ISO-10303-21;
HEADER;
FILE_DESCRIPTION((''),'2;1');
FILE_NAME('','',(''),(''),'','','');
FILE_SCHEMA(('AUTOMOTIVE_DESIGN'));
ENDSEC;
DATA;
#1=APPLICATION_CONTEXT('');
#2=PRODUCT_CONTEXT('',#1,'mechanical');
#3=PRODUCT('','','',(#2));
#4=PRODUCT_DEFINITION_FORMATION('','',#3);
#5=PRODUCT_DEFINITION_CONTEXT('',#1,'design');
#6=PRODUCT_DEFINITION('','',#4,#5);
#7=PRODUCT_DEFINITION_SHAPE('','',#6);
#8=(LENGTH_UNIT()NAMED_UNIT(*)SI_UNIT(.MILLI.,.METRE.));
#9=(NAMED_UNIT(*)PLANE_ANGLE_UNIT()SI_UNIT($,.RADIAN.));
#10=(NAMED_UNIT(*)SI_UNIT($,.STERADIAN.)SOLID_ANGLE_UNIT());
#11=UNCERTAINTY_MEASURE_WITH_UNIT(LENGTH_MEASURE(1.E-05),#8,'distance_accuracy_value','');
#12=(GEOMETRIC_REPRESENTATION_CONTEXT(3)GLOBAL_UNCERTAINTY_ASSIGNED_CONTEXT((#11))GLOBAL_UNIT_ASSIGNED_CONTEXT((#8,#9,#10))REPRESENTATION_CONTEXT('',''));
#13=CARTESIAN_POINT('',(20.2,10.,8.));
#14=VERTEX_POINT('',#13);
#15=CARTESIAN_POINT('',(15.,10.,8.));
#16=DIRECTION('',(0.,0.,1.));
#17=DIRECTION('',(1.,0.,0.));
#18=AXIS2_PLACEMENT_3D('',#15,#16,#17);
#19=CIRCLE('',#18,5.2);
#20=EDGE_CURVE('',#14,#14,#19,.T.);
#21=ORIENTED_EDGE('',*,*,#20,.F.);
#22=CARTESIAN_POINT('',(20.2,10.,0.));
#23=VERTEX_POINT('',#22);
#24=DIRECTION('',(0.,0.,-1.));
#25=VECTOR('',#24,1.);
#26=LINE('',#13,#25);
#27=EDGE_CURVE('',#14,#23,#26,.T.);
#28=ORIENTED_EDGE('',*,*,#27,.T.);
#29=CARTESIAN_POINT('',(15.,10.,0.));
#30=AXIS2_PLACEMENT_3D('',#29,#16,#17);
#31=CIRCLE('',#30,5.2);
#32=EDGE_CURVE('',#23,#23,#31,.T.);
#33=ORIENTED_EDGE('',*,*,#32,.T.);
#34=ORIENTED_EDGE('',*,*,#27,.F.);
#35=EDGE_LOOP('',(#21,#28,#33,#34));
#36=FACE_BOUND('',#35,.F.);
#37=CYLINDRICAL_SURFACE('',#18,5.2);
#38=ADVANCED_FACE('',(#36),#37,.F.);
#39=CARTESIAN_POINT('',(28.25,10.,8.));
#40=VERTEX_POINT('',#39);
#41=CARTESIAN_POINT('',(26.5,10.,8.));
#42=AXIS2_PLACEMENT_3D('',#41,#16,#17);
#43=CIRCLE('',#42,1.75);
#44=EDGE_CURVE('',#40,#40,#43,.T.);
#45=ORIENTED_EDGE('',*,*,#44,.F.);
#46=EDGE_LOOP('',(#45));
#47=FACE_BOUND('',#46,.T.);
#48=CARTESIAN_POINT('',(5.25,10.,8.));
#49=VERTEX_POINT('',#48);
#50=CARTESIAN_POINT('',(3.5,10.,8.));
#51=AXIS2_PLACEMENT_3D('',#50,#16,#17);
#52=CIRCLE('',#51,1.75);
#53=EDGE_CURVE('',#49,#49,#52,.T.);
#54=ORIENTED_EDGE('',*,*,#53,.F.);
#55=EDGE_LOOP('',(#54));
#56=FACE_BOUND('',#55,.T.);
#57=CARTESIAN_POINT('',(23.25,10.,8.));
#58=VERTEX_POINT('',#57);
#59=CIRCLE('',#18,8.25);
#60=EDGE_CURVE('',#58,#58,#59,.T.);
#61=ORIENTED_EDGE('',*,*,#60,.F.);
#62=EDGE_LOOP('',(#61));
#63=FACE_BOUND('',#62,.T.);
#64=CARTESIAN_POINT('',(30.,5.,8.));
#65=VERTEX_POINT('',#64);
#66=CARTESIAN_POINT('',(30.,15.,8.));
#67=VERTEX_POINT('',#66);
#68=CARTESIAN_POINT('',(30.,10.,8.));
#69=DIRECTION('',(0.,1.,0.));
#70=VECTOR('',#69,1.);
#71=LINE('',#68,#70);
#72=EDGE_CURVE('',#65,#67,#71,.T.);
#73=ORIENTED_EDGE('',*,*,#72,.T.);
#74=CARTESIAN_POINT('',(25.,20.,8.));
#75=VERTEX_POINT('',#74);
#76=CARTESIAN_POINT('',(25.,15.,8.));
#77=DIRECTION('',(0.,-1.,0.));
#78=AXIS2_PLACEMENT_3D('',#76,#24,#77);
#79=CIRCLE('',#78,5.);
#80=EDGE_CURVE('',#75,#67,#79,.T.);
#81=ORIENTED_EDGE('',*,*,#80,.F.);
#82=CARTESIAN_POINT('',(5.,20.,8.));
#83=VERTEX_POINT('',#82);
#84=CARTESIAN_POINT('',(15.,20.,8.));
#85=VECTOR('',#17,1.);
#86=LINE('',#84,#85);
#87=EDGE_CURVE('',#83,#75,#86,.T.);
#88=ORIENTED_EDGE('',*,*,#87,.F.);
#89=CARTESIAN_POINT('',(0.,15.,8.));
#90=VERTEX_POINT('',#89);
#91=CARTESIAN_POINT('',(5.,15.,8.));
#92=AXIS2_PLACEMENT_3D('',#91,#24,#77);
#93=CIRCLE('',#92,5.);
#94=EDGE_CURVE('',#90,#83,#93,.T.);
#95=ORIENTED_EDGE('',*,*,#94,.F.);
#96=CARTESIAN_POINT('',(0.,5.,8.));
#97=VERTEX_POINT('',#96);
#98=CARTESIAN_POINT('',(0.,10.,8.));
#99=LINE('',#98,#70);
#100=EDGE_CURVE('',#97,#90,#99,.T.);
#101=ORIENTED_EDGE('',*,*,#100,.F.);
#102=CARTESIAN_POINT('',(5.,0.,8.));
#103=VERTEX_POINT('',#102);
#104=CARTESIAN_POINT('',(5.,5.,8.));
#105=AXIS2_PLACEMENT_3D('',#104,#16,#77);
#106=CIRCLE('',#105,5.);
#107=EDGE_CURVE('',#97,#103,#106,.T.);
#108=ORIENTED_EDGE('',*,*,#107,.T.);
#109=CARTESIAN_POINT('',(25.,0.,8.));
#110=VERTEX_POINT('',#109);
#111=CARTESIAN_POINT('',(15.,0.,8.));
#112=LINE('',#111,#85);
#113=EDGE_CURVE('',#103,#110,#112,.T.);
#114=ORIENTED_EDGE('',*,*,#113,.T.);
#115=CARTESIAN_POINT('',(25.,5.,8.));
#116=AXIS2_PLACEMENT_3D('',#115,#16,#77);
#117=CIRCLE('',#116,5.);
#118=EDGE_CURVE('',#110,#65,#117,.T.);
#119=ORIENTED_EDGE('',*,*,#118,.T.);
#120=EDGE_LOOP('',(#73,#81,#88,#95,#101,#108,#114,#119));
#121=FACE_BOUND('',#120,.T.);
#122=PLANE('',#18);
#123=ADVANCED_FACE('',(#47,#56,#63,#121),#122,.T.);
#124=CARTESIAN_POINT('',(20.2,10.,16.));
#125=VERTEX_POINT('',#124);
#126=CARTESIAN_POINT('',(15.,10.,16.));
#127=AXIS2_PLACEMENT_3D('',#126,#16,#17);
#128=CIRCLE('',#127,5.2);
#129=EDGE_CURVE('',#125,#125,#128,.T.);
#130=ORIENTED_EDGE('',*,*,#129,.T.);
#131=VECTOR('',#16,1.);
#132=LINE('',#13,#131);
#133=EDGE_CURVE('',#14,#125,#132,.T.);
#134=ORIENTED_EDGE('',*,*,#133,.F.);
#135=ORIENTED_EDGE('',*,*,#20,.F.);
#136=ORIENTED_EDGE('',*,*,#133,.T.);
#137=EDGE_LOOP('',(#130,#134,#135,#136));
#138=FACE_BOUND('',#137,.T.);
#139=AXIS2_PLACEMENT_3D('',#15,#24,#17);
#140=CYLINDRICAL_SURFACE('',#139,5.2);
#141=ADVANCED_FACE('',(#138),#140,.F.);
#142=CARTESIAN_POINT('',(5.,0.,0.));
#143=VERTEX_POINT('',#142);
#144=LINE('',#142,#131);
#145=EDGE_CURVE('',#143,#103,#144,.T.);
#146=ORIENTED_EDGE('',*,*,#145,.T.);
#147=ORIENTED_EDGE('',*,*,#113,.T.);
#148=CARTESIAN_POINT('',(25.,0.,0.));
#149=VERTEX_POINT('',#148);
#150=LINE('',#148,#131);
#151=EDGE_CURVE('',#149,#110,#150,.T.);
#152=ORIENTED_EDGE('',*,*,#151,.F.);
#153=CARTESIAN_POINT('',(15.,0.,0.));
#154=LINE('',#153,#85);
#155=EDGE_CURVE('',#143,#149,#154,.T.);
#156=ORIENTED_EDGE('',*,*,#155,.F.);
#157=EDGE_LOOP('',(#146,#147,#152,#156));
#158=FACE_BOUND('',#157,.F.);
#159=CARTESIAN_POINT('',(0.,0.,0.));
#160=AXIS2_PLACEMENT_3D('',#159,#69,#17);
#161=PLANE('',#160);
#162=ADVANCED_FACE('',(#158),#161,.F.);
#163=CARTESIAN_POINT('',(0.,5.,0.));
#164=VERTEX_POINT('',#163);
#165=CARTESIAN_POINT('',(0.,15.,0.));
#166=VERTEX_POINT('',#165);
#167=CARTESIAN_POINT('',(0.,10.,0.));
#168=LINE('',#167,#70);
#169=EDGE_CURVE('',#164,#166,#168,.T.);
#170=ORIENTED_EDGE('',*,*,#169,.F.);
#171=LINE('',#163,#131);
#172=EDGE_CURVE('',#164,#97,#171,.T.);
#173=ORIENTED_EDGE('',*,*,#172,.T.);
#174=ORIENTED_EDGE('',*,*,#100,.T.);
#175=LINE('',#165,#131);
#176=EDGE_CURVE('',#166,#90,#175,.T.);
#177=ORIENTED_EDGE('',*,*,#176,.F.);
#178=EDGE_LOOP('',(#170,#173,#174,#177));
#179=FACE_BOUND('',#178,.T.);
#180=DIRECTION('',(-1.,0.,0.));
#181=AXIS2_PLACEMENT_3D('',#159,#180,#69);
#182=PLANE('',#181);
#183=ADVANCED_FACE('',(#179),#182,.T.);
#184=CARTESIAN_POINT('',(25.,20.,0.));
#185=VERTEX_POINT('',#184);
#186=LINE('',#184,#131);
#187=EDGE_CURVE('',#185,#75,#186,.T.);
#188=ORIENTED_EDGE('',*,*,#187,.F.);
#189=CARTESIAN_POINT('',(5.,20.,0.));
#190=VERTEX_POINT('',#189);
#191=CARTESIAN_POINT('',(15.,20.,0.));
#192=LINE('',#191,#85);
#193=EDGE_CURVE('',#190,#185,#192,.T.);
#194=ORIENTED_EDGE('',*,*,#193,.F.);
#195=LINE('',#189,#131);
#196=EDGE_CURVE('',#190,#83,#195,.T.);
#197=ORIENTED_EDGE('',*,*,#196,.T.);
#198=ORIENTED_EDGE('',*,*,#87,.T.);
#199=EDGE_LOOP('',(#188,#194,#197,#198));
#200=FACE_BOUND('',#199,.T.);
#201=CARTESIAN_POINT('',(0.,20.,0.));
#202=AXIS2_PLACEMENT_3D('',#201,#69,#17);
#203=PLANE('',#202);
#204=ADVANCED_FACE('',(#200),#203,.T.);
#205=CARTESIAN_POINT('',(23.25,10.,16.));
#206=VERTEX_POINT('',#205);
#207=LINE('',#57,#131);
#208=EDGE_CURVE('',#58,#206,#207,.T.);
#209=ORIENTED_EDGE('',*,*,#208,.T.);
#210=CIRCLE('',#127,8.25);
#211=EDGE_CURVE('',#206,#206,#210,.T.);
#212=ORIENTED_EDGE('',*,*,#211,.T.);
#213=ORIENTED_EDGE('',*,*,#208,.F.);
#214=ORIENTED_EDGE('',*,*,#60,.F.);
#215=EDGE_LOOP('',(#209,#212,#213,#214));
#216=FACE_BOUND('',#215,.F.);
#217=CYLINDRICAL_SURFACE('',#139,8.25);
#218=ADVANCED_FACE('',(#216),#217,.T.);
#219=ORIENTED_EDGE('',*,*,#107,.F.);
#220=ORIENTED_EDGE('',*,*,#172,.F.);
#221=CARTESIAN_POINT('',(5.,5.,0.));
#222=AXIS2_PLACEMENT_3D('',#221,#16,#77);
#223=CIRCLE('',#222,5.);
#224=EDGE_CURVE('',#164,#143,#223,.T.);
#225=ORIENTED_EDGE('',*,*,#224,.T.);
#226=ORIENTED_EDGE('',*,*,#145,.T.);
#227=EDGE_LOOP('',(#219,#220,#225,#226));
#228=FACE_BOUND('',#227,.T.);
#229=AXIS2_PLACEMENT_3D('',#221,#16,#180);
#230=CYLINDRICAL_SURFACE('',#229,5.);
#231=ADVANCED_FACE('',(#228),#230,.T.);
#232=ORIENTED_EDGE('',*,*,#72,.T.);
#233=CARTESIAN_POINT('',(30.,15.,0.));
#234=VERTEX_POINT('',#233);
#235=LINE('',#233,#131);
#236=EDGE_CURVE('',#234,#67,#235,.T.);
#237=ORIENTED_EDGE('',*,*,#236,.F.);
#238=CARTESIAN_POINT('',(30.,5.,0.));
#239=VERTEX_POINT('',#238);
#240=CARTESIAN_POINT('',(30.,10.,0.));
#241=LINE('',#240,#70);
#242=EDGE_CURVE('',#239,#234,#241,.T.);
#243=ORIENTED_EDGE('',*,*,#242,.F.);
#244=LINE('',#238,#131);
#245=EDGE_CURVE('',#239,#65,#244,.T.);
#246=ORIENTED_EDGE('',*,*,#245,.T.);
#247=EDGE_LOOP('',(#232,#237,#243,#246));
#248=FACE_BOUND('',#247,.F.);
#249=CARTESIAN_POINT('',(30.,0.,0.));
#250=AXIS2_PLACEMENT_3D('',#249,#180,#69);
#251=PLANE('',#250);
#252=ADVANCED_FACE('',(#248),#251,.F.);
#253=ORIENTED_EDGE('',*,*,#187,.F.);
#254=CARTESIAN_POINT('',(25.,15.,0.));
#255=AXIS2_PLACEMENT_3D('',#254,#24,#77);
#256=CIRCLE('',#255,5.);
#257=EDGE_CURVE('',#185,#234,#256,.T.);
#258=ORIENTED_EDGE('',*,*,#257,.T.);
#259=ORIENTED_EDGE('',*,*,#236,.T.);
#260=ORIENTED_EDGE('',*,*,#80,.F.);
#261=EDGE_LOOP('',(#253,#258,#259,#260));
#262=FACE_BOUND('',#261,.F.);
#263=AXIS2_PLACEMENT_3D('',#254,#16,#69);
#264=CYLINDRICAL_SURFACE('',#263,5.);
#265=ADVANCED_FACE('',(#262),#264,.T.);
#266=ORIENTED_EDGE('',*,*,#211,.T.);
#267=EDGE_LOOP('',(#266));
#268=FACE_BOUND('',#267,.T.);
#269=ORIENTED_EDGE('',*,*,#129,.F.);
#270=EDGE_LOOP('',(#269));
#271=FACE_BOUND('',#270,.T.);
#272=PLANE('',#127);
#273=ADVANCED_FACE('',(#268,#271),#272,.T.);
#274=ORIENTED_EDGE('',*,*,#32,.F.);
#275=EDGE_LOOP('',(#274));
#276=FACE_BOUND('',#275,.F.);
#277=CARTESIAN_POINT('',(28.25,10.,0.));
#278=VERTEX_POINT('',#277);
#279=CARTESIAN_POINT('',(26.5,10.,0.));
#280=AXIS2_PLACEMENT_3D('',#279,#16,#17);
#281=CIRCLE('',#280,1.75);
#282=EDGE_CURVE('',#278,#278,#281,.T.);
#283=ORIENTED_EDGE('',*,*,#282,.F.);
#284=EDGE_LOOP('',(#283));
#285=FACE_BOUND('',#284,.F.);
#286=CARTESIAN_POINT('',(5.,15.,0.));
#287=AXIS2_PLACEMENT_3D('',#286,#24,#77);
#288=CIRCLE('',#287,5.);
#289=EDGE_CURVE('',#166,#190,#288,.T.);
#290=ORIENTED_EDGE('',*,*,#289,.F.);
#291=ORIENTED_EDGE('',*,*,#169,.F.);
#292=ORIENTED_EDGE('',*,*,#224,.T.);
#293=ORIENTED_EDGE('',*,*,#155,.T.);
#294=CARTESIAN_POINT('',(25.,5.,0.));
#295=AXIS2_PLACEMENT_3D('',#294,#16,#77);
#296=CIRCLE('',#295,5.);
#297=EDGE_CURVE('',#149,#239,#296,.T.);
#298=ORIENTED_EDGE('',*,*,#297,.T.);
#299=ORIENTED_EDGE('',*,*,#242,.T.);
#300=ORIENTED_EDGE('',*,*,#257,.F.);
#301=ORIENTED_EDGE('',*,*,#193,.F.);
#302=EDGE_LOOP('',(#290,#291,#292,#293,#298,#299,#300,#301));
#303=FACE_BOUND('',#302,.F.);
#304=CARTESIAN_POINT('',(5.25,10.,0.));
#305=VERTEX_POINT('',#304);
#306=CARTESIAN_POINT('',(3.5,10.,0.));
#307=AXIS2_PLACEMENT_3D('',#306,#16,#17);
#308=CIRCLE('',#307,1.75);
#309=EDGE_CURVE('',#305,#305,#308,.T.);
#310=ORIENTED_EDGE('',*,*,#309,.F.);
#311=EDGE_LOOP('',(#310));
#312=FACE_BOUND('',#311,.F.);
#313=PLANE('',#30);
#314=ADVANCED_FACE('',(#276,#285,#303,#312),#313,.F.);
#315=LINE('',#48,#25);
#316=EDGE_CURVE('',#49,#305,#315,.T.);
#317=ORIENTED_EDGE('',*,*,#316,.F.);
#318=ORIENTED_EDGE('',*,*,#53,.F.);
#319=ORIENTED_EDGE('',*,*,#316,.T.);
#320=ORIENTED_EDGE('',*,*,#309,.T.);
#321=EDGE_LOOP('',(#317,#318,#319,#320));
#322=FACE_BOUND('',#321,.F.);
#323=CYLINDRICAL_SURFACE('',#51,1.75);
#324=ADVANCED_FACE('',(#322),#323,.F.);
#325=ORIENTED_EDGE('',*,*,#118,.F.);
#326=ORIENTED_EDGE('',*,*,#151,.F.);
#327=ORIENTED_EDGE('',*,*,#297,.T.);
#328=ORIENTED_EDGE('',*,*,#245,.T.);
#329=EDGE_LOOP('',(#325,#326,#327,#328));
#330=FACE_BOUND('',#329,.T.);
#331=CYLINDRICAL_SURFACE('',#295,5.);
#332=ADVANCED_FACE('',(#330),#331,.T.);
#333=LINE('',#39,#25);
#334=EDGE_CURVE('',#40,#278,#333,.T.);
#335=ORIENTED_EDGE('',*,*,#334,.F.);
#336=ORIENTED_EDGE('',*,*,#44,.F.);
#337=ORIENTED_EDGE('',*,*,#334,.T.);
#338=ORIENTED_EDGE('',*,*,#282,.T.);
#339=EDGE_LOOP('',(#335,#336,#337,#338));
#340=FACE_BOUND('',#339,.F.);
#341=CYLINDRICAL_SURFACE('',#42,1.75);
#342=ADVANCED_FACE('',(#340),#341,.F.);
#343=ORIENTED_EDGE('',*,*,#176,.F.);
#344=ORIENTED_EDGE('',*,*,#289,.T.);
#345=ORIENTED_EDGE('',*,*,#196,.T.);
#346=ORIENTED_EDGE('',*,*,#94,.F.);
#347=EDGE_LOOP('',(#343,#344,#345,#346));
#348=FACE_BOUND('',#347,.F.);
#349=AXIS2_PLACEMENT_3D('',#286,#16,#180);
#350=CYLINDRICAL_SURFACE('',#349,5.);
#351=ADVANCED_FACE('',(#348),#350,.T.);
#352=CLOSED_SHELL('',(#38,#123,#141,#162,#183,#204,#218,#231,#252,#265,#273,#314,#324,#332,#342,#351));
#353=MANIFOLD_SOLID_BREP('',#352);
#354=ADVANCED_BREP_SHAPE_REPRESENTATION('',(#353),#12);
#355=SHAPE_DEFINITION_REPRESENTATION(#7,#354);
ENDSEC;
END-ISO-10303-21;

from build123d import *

# Parameters (mm, degrees)
F0_W     = 30
F0_H     = 20
F1_DEPTH = 8
F2_R     = 8.25
F2_R_2   = 5.2
F3_DEPTH = 8
F4_R     = 1.75
F4_R_2   = 5.2
F5_DEPTH = 25
F6_R     = 5


with BuildPart() as f1:
    # F0 (on Top) → F1 (new body)
    with BuildSketch(Plane.XY):
        with Locations((15, 10)):
            Rectangle(F0_W, F0_H)
    extrude(amount=F1_DEPTH)

    # F2 (on face) → F3 (join)
    with BuildSketch(Plane.XY.offset(8)):
        with Locations((15, 10)):
            Circle(F2_R)
        with Locations((15, 10)):
            Circle(F2_R_2, mode=Mode.SUBTRACT)
    extrude(amount=F3_DEPTH)

    # F4 (on face) → F5 (cut)
    with BuildSketch(Plane.XY.offset(8)):
        with Locations((3.5, 10)):
            Circle(F4_R)
        with Locations((26.5, 10)):
            Circle(F4_R)
        with Locations((15, 10)):
            Circle(F4_R_2)
    extrude(amount=-F5_DEPTH, mode=Mode.SUBTRACT)

    # F6
    f6_edges = [f1.edges().sort_by_distance(p)[0] for p in [
        (0, 0, 4),
        (30, 0, 4),
        (30, 20, 4),
        (0, 20, 4),
    ]]
    fillet(f6_edges, radius=F6_R)


solid = f1.part
